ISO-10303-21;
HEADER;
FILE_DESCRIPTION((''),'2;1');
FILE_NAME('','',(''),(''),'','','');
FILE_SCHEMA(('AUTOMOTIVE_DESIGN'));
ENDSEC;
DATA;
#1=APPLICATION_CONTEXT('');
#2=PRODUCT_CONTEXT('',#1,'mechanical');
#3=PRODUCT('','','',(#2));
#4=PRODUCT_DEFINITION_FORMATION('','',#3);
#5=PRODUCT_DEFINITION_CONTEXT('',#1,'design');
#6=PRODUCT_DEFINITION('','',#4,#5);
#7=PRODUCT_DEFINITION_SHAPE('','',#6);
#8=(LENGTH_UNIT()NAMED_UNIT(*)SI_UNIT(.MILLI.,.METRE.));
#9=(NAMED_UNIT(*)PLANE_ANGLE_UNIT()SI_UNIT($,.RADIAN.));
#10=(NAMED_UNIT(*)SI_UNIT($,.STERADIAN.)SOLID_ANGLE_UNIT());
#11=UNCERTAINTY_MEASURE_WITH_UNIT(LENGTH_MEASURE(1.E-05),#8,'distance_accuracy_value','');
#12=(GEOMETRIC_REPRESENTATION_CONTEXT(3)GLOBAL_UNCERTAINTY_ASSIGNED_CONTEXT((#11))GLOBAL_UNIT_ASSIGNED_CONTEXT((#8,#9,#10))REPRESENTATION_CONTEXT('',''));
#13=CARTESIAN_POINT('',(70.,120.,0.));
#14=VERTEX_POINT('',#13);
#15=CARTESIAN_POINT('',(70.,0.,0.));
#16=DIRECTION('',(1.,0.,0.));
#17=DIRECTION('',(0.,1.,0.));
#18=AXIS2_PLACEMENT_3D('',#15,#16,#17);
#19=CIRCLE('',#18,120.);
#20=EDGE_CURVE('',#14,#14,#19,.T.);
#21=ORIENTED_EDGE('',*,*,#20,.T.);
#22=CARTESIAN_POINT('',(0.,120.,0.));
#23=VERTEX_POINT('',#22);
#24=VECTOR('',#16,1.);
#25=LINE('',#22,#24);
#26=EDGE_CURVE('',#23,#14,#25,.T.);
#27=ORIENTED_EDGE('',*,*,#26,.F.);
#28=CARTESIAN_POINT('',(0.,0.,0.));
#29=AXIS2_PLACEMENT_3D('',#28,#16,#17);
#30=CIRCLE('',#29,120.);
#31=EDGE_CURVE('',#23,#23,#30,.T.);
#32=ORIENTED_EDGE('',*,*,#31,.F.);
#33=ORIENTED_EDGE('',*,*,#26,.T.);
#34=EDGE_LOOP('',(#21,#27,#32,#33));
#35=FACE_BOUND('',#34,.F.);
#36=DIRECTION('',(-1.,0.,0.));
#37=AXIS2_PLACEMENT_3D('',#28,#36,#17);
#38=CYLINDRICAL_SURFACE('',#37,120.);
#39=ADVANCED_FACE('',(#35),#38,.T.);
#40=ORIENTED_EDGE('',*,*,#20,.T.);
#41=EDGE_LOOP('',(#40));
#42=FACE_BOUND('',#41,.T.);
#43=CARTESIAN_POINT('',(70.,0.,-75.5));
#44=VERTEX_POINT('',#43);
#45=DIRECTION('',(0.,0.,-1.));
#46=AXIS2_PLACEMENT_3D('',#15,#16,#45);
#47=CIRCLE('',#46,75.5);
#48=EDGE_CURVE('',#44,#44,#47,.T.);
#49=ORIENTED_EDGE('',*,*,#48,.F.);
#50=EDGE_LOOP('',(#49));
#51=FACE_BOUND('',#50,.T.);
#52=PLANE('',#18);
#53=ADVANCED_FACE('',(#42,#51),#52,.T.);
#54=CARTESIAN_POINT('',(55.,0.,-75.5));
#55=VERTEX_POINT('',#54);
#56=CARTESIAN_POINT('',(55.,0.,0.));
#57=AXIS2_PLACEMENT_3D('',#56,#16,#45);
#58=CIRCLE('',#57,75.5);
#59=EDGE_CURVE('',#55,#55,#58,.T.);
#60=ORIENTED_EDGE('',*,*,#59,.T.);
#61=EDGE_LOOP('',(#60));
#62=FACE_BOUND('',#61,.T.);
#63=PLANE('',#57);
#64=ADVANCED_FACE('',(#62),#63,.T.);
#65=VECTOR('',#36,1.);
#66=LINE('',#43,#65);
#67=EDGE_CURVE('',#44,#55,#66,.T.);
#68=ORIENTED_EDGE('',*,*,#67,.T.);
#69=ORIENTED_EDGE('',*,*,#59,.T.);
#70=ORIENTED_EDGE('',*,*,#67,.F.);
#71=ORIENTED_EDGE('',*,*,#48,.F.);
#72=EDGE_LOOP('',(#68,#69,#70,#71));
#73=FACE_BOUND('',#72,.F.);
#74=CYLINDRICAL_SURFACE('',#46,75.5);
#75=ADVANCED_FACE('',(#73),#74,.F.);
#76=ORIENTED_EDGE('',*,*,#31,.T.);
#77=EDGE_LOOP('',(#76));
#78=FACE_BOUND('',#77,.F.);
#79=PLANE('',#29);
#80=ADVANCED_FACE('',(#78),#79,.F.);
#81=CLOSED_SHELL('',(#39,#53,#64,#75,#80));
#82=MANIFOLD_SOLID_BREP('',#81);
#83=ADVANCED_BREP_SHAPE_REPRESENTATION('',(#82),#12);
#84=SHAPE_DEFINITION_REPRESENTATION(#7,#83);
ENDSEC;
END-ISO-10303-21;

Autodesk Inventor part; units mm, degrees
ref_plane "YZ Plane" through (0, 0, 0) normal (1, 0, 0) x (0, 1, 0)
ref_plane "XZ Plane" through (0, 0, 0) normal (0, 1, 0) x (-1, 0, 0)
ref_plane "XY Plane" through (0, 0, 0) normal (0, 0, 1) x (1, 0, 0)
sketch "Sketch1" plane through (0, 0, 0) normal (1, 0, 0) x (0, 1, 0)
  circle A0 centre (0, 0) radius 120
  circle A1 centre (0, 0) radius 75.5
  dimension "d0" = 240
  dimension "d1" = 151
extrude "Extrusion1" add sketch "Sketch1" along normal blind 70 contours A0 | A1
sketch "Sketch2" plane through (70, 0, 0) normal (1, 0, 0) x (0, 0, -1)
  circle A0 centre (0, 0) radius 75.5
  dimension "d4" = 151
extrude "Extrusion2" cut sketch "Sketch2" against normal blind 15
properties part number "wheel"
